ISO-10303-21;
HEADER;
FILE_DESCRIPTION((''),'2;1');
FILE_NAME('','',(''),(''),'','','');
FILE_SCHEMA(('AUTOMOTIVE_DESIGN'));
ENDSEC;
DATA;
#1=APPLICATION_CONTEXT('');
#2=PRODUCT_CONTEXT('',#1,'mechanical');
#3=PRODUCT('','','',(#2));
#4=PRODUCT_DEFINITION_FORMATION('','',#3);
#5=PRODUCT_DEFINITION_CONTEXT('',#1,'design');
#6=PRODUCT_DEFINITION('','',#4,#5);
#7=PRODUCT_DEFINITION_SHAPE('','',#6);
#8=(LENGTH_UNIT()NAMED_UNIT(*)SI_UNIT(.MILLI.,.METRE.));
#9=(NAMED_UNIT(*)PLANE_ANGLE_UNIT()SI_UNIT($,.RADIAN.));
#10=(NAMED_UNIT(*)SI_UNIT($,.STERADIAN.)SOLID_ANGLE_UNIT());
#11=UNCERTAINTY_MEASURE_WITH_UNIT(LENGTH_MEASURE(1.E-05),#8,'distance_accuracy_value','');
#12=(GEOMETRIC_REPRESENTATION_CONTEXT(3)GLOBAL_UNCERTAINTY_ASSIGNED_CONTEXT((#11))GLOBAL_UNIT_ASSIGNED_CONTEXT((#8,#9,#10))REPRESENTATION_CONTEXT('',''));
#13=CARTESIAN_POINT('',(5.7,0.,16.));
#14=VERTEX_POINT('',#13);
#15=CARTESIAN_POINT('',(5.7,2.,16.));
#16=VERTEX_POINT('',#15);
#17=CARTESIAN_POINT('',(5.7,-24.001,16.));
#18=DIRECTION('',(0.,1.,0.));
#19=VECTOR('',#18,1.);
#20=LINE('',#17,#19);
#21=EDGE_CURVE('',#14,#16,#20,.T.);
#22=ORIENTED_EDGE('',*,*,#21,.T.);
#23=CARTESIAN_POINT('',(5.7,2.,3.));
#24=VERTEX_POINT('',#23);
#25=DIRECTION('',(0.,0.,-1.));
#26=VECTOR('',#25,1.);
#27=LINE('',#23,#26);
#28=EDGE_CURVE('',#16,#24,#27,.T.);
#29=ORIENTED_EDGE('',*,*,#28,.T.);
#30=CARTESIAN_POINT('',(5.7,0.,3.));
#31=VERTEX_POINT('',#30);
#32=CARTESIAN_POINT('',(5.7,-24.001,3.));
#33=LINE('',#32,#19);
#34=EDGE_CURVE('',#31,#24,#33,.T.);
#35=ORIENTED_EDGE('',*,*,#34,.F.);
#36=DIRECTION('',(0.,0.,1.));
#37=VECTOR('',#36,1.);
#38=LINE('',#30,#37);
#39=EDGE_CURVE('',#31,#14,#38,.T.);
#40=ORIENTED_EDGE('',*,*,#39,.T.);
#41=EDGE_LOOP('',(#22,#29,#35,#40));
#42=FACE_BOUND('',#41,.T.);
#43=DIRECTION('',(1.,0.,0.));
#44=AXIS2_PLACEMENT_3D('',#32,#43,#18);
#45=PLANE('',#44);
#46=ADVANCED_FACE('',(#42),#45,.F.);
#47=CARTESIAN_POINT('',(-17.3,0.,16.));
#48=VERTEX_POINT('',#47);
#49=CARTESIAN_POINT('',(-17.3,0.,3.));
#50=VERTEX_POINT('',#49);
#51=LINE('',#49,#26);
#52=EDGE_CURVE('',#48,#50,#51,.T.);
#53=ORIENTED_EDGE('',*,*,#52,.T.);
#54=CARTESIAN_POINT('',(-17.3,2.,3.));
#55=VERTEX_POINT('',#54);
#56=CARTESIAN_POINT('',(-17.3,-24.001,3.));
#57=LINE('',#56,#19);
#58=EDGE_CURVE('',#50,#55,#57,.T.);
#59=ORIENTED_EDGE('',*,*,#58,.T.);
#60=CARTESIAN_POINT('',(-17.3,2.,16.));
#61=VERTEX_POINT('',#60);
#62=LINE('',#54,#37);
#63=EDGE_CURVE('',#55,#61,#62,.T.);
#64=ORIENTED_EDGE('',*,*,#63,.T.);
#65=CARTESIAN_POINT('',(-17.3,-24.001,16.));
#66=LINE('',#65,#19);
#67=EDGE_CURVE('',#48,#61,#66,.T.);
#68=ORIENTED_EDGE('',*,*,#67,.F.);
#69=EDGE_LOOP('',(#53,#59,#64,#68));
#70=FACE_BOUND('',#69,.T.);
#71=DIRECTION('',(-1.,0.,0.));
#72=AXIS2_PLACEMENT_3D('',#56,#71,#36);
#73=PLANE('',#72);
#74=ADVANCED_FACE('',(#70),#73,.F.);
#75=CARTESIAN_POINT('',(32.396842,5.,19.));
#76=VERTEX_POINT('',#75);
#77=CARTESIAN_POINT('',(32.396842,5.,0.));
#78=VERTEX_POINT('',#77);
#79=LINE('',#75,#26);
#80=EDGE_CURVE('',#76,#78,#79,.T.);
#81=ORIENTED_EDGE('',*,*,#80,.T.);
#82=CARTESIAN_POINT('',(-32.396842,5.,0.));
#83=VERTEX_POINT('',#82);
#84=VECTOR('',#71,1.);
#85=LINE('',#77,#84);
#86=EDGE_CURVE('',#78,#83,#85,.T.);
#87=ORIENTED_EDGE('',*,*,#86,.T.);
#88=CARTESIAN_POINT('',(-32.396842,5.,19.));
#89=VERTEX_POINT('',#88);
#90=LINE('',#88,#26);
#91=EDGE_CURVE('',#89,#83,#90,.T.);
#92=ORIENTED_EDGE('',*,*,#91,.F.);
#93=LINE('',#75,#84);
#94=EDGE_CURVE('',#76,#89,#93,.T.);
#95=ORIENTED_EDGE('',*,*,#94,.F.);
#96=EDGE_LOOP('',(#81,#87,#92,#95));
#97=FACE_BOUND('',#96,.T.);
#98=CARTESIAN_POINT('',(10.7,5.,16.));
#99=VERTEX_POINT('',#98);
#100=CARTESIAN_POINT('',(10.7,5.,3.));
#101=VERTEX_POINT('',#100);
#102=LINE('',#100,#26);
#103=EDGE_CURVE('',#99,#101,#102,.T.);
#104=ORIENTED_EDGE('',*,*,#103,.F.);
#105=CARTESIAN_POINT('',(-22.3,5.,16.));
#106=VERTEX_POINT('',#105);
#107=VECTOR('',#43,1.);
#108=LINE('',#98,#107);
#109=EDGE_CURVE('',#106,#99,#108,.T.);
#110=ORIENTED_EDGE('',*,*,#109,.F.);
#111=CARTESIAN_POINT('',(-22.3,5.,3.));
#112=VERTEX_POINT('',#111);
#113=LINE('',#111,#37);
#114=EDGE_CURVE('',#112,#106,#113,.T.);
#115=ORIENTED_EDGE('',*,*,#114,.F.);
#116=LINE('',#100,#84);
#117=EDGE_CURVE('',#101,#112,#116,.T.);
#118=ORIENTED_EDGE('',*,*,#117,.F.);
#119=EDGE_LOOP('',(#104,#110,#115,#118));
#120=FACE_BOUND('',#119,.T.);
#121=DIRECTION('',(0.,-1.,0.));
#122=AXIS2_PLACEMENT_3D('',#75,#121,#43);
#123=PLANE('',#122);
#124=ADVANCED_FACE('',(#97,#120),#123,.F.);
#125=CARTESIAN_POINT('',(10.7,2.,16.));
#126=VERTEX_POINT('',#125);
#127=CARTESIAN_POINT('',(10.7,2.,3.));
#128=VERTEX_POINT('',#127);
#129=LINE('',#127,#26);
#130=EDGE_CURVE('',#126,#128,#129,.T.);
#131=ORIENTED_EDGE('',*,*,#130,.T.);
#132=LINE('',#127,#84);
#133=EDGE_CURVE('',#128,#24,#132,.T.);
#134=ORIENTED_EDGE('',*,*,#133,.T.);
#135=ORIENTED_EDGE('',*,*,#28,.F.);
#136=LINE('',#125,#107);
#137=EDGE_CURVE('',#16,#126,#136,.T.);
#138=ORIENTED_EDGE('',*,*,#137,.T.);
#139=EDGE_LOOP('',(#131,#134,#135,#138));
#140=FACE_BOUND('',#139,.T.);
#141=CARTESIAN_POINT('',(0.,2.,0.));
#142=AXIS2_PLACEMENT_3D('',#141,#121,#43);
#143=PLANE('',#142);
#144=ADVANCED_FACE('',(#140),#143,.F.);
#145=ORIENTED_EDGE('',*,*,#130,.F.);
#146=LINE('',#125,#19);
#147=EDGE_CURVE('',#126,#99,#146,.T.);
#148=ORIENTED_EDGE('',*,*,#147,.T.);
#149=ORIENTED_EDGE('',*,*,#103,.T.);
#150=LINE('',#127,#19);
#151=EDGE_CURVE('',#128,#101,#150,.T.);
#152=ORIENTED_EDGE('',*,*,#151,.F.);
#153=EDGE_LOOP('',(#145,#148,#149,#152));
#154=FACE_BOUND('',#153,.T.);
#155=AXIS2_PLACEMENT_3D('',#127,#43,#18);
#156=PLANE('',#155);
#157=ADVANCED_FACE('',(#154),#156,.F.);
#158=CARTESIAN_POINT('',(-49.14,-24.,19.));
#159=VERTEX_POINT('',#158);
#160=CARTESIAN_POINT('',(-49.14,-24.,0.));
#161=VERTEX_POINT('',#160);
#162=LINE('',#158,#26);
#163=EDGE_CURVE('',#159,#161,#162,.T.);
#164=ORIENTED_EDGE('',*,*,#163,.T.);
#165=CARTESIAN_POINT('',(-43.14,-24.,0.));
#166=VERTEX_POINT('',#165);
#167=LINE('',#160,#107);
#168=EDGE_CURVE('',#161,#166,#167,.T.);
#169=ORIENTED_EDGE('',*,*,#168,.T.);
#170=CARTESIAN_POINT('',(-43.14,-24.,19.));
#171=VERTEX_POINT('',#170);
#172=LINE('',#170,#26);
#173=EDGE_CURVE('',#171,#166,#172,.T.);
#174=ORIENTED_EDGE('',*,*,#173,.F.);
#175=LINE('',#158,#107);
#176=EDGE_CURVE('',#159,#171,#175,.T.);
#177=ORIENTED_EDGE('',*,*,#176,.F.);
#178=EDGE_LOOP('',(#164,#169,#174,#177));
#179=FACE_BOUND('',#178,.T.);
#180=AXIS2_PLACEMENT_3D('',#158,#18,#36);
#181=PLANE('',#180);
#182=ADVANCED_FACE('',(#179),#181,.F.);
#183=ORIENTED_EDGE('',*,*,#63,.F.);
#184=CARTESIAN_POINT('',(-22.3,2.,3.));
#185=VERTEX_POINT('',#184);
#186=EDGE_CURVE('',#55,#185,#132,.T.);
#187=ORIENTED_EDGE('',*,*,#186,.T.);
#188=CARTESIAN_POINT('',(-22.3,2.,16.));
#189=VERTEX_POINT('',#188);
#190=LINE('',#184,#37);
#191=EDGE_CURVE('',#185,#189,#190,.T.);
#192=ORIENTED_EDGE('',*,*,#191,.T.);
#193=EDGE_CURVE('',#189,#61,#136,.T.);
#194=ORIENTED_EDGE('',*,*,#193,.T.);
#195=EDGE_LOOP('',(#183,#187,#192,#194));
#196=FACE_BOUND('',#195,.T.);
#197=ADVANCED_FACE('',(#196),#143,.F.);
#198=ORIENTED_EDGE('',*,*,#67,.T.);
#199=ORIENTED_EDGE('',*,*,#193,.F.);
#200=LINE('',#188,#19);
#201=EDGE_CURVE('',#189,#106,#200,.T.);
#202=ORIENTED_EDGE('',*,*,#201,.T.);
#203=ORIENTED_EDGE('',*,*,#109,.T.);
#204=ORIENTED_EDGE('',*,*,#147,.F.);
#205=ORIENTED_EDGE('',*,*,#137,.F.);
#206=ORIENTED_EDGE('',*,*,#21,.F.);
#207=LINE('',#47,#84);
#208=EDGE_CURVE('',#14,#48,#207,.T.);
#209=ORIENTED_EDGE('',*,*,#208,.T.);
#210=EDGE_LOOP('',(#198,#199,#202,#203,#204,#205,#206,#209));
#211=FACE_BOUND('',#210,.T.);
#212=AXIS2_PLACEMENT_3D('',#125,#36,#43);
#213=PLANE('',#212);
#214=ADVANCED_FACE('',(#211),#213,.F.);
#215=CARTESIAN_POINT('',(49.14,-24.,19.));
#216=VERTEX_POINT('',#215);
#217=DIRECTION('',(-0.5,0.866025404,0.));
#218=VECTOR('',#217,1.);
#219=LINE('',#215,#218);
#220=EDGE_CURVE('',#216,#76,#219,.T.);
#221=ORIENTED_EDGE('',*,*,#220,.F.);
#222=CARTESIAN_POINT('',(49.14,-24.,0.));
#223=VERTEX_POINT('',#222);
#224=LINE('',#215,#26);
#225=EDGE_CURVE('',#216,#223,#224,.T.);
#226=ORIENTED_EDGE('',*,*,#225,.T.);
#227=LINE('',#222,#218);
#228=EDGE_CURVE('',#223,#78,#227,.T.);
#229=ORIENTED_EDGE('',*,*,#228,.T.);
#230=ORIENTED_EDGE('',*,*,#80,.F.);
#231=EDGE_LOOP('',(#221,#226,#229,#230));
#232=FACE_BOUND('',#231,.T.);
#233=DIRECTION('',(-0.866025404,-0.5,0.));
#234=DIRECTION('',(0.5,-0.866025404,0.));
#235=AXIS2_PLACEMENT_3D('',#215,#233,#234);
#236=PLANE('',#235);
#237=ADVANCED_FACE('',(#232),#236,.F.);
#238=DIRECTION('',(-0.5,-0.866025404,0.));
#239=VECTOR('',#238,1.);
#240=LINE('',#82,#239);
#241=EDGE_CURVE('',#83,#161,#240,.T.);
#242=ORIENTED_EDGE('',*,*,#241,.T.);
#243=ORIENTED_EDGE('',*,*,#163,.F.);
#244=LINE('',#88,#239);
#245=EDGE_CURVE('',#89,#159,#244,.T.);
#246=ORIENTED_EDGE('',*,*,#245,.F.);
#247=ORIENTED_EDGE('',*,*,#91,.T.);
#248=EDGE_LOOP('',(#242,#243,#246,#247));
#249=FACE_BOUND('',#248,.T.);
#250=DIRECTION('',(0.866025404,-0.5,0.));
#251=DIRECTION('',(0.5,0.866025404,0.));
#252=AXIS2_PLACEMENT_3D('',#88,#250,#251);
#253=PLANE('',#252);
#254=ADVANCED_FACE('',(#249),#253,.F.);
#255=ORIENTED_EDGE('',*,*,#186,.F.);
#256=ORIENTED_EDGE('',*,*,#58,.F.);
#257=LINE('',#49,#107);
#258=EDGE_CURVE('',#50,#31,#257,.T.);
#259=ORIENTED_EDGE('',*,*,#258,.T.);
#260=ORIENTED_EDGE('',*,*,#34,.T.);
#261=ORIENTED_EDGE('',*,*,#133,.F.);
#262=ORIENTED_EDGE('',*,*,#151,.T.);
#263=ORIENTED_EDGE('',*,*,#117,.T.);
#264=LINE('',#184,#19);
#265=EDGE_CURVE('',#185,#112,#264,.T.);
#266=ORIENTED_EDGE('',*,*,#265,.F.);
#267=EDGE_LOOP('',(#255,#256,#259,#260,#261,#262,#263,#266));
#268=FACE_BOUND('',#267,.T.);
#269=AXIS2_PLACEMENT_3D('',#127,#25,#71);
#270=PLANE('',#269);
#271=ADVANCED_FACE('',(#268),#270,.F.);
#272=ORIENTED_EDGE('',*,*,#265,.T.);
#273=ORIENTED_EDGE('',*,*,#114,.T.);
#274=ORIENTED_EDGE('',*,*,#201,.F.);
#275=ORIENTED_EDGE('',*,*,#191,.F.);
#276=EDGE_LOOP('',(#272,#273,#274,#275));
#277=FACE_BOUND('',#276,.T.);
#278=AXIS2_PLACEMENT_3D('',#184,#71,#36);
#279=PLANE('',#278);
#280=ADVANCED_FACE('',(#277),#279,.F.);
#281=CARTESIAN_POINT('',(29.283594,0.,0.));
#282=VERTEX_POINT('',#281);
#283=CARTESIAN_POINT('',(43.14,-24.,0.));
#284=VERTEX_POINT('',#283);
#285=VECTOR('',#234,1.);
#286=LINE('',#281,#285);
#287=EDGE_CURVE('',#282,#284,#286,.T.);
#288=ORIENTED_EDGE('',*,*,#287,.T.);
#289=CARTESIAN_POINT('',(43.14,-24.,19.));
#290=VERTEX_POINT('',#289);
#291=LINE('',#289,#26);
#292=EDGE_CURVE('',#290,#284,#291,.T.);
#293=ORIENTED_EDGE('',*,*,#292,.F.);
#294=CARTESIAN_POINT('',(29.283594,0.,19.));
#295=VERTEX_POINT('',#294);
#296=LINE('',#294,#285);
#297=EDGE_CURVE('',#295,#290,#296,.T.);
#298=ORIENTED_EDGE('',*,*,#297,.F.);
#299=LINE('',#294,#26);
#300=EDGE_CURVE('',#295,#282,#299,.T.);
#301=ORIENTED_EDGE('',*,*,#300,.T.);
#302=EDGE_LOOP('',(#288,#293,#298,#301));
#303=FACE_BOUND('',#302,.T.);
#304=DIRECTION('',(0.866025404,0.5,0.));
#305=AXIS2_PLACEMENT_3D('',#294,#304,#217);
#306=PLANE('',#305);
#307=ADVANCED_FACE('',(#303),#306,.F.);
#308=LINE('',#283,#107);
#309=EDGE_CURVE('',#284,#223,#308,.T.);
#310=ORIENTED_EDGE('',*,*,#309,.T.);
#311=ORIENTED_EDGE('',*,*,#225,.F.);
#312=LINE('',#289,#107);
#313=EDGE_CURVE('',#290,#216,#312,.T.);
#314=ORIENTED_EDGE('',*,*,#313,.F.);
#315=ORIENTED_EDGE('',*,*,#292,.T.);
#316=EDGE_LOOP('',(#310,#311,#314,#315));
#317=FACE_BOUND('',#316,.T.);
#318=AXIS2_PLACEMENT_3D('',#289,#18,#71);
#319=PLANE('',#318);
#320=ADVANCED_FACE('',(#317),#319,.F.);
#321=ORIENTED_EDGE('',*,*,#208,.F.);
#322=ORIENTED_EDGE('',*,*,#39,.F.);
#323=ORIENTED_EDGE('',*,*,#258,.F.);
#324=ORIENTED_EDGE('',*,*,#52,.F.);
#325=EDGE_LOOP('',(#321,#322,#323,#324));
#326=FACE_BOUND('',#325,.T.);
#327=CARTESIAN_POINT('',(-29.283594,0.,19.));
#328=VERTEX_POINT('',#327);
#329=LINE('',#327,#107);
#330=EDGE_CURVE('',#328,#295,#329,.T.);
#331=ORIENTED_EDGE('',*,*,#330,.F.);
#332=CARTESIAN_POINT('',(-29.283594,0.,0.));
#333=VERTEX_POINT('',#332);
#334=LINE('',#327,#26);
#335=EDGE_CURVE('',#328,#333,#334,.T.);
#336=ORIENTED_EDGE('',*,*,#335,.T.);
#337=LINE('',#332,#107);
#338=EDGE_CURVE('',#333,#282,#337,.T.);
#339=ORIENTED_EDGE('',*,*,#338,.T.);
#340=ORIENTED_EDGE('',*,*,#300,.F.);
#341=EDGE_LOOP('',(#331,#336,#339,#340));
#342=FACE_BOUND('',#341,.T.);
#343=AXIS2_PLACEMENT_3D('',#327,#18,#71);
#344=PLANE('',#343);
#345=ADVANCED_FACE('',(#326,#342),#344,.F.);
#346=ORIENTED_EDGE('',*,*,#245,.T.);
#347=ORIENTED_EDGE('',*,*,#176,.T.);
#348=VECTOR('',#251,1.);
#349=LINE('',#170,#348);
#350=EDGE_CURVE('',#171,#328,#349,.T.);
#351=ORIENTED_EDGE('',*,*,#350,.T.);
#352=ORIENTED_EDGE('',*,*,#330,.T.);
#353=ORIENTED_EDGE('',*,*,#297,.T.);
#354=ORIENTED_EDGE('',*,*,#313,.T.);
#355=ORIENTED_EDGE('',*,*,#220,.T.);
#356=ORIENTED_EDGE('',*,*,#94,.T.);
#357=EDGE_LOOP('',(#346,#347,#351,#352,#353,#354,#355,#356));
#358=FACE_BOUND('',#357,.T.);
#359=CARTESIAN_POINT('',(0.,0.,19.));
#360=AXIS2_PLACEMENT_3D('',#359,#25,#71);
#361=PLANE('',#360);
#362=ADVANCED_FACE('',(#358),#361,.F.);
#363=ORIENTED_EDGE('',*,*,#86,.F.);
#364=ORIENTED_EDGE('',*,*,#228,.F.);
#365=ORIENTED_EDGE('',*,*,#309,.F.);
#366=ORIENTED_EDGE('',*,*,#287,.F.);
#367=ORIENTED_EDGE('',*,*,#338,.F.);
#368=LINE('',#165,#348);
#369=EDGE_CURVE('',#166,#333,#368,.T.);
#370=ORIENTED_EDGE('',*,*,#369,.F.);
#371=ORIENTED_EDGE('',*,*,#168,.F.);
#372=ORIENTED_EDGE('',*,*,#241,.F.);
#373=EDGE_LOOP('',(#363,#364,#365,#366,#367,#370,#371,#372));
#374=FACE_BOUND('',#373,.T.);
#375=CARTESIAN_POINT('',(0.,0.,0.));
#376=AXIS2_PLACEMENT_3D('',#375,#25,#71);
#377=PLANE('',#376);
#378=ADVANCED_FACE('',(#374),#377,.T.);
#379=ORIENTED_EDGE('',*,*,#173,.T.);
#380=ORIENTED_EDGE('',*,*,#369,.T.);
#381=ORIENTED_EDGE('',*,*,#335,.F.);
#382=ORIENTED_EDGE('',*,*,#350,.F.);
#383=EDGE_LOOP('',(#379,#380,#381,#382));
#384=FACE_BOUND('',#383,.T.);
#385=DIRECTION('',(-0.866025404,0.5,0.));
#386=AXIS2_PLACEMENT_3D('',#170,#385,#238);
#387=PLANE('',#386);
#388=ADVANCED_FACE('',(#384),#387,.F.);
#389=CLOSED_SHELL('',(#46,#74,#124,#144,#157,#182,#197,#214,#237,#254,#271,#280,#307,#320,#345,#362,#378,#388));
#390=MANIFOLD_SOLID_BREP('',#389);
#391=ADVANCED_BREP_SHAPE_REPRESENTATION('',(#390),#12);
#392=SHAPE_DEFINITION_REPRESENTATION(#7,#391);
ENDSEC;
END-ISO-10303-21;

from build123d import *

# Parameters (mm, degrees)
BOSS_EXTRUDE1_DEPTH = 19
SKETCH2_W           = 33
SKETCH2_H           = 13
CUT_EXTRUDE1_DEPTH  = 3
CUT_EXTRUDE2_REACH  = 60.752
SKETCH3_W           = 23
SKETCH3_H           = 13


with BuildPart() as part:
    # Sketch1 → Boss-Extrude1 (new body)
    with BuildSketch(Plane.XY):
        Polygon((-29.283593539, 0), (29.283593539, 0), (43.14, -24), (49.14, -24), (32.396842194, 5), (-32.396842194, 5), (-49.14, -24), (-43.14, -24), align=None)
    extrude(amount=BOSS_EXTRUDE1_DEPTH)

    # Sketch2 → Cut-Extrude1 (cut)
    with BuildSketch(Plane(origin=(0, 5, 0), x_dir=(1, 0, 0), z_dir=(0, 1, 0))):
        with Locations((-5.8, -9.5)):
            Rectangle(SKETCH2_W, SKETCH2_H)
    extrude(amount=-CUT_EXTRUDE1_DEPTH, mode=Mode.SUBTRACT)

    # Sketch3 → Cut-Extrude2 (cut, up to next)
    with BuildSketch(Plane(origin=(0, 2, 0), x_dir=(1, 0, 0), z_dir=(0, 1, 0)), mode=Mode.PRIVATE) as cut_extrude2_sk1:
        with Locations((-5.8, -9.5)):
            Rectangle(SKETCH3_W, SKETCH3_H)
    cut_extrude2_tool1 = extrude(cut_extrude2_sk1.sketch, amount=-CUT_EXTRUDE2_REACH, mode=Mode.PRIVATE) & part.part
    add(cut_extrude2_tool1.solids().sort_by_distance((-5.8, 2, 9.5))[0], mode=Mode.SUBTRACT)


solid = part.part
